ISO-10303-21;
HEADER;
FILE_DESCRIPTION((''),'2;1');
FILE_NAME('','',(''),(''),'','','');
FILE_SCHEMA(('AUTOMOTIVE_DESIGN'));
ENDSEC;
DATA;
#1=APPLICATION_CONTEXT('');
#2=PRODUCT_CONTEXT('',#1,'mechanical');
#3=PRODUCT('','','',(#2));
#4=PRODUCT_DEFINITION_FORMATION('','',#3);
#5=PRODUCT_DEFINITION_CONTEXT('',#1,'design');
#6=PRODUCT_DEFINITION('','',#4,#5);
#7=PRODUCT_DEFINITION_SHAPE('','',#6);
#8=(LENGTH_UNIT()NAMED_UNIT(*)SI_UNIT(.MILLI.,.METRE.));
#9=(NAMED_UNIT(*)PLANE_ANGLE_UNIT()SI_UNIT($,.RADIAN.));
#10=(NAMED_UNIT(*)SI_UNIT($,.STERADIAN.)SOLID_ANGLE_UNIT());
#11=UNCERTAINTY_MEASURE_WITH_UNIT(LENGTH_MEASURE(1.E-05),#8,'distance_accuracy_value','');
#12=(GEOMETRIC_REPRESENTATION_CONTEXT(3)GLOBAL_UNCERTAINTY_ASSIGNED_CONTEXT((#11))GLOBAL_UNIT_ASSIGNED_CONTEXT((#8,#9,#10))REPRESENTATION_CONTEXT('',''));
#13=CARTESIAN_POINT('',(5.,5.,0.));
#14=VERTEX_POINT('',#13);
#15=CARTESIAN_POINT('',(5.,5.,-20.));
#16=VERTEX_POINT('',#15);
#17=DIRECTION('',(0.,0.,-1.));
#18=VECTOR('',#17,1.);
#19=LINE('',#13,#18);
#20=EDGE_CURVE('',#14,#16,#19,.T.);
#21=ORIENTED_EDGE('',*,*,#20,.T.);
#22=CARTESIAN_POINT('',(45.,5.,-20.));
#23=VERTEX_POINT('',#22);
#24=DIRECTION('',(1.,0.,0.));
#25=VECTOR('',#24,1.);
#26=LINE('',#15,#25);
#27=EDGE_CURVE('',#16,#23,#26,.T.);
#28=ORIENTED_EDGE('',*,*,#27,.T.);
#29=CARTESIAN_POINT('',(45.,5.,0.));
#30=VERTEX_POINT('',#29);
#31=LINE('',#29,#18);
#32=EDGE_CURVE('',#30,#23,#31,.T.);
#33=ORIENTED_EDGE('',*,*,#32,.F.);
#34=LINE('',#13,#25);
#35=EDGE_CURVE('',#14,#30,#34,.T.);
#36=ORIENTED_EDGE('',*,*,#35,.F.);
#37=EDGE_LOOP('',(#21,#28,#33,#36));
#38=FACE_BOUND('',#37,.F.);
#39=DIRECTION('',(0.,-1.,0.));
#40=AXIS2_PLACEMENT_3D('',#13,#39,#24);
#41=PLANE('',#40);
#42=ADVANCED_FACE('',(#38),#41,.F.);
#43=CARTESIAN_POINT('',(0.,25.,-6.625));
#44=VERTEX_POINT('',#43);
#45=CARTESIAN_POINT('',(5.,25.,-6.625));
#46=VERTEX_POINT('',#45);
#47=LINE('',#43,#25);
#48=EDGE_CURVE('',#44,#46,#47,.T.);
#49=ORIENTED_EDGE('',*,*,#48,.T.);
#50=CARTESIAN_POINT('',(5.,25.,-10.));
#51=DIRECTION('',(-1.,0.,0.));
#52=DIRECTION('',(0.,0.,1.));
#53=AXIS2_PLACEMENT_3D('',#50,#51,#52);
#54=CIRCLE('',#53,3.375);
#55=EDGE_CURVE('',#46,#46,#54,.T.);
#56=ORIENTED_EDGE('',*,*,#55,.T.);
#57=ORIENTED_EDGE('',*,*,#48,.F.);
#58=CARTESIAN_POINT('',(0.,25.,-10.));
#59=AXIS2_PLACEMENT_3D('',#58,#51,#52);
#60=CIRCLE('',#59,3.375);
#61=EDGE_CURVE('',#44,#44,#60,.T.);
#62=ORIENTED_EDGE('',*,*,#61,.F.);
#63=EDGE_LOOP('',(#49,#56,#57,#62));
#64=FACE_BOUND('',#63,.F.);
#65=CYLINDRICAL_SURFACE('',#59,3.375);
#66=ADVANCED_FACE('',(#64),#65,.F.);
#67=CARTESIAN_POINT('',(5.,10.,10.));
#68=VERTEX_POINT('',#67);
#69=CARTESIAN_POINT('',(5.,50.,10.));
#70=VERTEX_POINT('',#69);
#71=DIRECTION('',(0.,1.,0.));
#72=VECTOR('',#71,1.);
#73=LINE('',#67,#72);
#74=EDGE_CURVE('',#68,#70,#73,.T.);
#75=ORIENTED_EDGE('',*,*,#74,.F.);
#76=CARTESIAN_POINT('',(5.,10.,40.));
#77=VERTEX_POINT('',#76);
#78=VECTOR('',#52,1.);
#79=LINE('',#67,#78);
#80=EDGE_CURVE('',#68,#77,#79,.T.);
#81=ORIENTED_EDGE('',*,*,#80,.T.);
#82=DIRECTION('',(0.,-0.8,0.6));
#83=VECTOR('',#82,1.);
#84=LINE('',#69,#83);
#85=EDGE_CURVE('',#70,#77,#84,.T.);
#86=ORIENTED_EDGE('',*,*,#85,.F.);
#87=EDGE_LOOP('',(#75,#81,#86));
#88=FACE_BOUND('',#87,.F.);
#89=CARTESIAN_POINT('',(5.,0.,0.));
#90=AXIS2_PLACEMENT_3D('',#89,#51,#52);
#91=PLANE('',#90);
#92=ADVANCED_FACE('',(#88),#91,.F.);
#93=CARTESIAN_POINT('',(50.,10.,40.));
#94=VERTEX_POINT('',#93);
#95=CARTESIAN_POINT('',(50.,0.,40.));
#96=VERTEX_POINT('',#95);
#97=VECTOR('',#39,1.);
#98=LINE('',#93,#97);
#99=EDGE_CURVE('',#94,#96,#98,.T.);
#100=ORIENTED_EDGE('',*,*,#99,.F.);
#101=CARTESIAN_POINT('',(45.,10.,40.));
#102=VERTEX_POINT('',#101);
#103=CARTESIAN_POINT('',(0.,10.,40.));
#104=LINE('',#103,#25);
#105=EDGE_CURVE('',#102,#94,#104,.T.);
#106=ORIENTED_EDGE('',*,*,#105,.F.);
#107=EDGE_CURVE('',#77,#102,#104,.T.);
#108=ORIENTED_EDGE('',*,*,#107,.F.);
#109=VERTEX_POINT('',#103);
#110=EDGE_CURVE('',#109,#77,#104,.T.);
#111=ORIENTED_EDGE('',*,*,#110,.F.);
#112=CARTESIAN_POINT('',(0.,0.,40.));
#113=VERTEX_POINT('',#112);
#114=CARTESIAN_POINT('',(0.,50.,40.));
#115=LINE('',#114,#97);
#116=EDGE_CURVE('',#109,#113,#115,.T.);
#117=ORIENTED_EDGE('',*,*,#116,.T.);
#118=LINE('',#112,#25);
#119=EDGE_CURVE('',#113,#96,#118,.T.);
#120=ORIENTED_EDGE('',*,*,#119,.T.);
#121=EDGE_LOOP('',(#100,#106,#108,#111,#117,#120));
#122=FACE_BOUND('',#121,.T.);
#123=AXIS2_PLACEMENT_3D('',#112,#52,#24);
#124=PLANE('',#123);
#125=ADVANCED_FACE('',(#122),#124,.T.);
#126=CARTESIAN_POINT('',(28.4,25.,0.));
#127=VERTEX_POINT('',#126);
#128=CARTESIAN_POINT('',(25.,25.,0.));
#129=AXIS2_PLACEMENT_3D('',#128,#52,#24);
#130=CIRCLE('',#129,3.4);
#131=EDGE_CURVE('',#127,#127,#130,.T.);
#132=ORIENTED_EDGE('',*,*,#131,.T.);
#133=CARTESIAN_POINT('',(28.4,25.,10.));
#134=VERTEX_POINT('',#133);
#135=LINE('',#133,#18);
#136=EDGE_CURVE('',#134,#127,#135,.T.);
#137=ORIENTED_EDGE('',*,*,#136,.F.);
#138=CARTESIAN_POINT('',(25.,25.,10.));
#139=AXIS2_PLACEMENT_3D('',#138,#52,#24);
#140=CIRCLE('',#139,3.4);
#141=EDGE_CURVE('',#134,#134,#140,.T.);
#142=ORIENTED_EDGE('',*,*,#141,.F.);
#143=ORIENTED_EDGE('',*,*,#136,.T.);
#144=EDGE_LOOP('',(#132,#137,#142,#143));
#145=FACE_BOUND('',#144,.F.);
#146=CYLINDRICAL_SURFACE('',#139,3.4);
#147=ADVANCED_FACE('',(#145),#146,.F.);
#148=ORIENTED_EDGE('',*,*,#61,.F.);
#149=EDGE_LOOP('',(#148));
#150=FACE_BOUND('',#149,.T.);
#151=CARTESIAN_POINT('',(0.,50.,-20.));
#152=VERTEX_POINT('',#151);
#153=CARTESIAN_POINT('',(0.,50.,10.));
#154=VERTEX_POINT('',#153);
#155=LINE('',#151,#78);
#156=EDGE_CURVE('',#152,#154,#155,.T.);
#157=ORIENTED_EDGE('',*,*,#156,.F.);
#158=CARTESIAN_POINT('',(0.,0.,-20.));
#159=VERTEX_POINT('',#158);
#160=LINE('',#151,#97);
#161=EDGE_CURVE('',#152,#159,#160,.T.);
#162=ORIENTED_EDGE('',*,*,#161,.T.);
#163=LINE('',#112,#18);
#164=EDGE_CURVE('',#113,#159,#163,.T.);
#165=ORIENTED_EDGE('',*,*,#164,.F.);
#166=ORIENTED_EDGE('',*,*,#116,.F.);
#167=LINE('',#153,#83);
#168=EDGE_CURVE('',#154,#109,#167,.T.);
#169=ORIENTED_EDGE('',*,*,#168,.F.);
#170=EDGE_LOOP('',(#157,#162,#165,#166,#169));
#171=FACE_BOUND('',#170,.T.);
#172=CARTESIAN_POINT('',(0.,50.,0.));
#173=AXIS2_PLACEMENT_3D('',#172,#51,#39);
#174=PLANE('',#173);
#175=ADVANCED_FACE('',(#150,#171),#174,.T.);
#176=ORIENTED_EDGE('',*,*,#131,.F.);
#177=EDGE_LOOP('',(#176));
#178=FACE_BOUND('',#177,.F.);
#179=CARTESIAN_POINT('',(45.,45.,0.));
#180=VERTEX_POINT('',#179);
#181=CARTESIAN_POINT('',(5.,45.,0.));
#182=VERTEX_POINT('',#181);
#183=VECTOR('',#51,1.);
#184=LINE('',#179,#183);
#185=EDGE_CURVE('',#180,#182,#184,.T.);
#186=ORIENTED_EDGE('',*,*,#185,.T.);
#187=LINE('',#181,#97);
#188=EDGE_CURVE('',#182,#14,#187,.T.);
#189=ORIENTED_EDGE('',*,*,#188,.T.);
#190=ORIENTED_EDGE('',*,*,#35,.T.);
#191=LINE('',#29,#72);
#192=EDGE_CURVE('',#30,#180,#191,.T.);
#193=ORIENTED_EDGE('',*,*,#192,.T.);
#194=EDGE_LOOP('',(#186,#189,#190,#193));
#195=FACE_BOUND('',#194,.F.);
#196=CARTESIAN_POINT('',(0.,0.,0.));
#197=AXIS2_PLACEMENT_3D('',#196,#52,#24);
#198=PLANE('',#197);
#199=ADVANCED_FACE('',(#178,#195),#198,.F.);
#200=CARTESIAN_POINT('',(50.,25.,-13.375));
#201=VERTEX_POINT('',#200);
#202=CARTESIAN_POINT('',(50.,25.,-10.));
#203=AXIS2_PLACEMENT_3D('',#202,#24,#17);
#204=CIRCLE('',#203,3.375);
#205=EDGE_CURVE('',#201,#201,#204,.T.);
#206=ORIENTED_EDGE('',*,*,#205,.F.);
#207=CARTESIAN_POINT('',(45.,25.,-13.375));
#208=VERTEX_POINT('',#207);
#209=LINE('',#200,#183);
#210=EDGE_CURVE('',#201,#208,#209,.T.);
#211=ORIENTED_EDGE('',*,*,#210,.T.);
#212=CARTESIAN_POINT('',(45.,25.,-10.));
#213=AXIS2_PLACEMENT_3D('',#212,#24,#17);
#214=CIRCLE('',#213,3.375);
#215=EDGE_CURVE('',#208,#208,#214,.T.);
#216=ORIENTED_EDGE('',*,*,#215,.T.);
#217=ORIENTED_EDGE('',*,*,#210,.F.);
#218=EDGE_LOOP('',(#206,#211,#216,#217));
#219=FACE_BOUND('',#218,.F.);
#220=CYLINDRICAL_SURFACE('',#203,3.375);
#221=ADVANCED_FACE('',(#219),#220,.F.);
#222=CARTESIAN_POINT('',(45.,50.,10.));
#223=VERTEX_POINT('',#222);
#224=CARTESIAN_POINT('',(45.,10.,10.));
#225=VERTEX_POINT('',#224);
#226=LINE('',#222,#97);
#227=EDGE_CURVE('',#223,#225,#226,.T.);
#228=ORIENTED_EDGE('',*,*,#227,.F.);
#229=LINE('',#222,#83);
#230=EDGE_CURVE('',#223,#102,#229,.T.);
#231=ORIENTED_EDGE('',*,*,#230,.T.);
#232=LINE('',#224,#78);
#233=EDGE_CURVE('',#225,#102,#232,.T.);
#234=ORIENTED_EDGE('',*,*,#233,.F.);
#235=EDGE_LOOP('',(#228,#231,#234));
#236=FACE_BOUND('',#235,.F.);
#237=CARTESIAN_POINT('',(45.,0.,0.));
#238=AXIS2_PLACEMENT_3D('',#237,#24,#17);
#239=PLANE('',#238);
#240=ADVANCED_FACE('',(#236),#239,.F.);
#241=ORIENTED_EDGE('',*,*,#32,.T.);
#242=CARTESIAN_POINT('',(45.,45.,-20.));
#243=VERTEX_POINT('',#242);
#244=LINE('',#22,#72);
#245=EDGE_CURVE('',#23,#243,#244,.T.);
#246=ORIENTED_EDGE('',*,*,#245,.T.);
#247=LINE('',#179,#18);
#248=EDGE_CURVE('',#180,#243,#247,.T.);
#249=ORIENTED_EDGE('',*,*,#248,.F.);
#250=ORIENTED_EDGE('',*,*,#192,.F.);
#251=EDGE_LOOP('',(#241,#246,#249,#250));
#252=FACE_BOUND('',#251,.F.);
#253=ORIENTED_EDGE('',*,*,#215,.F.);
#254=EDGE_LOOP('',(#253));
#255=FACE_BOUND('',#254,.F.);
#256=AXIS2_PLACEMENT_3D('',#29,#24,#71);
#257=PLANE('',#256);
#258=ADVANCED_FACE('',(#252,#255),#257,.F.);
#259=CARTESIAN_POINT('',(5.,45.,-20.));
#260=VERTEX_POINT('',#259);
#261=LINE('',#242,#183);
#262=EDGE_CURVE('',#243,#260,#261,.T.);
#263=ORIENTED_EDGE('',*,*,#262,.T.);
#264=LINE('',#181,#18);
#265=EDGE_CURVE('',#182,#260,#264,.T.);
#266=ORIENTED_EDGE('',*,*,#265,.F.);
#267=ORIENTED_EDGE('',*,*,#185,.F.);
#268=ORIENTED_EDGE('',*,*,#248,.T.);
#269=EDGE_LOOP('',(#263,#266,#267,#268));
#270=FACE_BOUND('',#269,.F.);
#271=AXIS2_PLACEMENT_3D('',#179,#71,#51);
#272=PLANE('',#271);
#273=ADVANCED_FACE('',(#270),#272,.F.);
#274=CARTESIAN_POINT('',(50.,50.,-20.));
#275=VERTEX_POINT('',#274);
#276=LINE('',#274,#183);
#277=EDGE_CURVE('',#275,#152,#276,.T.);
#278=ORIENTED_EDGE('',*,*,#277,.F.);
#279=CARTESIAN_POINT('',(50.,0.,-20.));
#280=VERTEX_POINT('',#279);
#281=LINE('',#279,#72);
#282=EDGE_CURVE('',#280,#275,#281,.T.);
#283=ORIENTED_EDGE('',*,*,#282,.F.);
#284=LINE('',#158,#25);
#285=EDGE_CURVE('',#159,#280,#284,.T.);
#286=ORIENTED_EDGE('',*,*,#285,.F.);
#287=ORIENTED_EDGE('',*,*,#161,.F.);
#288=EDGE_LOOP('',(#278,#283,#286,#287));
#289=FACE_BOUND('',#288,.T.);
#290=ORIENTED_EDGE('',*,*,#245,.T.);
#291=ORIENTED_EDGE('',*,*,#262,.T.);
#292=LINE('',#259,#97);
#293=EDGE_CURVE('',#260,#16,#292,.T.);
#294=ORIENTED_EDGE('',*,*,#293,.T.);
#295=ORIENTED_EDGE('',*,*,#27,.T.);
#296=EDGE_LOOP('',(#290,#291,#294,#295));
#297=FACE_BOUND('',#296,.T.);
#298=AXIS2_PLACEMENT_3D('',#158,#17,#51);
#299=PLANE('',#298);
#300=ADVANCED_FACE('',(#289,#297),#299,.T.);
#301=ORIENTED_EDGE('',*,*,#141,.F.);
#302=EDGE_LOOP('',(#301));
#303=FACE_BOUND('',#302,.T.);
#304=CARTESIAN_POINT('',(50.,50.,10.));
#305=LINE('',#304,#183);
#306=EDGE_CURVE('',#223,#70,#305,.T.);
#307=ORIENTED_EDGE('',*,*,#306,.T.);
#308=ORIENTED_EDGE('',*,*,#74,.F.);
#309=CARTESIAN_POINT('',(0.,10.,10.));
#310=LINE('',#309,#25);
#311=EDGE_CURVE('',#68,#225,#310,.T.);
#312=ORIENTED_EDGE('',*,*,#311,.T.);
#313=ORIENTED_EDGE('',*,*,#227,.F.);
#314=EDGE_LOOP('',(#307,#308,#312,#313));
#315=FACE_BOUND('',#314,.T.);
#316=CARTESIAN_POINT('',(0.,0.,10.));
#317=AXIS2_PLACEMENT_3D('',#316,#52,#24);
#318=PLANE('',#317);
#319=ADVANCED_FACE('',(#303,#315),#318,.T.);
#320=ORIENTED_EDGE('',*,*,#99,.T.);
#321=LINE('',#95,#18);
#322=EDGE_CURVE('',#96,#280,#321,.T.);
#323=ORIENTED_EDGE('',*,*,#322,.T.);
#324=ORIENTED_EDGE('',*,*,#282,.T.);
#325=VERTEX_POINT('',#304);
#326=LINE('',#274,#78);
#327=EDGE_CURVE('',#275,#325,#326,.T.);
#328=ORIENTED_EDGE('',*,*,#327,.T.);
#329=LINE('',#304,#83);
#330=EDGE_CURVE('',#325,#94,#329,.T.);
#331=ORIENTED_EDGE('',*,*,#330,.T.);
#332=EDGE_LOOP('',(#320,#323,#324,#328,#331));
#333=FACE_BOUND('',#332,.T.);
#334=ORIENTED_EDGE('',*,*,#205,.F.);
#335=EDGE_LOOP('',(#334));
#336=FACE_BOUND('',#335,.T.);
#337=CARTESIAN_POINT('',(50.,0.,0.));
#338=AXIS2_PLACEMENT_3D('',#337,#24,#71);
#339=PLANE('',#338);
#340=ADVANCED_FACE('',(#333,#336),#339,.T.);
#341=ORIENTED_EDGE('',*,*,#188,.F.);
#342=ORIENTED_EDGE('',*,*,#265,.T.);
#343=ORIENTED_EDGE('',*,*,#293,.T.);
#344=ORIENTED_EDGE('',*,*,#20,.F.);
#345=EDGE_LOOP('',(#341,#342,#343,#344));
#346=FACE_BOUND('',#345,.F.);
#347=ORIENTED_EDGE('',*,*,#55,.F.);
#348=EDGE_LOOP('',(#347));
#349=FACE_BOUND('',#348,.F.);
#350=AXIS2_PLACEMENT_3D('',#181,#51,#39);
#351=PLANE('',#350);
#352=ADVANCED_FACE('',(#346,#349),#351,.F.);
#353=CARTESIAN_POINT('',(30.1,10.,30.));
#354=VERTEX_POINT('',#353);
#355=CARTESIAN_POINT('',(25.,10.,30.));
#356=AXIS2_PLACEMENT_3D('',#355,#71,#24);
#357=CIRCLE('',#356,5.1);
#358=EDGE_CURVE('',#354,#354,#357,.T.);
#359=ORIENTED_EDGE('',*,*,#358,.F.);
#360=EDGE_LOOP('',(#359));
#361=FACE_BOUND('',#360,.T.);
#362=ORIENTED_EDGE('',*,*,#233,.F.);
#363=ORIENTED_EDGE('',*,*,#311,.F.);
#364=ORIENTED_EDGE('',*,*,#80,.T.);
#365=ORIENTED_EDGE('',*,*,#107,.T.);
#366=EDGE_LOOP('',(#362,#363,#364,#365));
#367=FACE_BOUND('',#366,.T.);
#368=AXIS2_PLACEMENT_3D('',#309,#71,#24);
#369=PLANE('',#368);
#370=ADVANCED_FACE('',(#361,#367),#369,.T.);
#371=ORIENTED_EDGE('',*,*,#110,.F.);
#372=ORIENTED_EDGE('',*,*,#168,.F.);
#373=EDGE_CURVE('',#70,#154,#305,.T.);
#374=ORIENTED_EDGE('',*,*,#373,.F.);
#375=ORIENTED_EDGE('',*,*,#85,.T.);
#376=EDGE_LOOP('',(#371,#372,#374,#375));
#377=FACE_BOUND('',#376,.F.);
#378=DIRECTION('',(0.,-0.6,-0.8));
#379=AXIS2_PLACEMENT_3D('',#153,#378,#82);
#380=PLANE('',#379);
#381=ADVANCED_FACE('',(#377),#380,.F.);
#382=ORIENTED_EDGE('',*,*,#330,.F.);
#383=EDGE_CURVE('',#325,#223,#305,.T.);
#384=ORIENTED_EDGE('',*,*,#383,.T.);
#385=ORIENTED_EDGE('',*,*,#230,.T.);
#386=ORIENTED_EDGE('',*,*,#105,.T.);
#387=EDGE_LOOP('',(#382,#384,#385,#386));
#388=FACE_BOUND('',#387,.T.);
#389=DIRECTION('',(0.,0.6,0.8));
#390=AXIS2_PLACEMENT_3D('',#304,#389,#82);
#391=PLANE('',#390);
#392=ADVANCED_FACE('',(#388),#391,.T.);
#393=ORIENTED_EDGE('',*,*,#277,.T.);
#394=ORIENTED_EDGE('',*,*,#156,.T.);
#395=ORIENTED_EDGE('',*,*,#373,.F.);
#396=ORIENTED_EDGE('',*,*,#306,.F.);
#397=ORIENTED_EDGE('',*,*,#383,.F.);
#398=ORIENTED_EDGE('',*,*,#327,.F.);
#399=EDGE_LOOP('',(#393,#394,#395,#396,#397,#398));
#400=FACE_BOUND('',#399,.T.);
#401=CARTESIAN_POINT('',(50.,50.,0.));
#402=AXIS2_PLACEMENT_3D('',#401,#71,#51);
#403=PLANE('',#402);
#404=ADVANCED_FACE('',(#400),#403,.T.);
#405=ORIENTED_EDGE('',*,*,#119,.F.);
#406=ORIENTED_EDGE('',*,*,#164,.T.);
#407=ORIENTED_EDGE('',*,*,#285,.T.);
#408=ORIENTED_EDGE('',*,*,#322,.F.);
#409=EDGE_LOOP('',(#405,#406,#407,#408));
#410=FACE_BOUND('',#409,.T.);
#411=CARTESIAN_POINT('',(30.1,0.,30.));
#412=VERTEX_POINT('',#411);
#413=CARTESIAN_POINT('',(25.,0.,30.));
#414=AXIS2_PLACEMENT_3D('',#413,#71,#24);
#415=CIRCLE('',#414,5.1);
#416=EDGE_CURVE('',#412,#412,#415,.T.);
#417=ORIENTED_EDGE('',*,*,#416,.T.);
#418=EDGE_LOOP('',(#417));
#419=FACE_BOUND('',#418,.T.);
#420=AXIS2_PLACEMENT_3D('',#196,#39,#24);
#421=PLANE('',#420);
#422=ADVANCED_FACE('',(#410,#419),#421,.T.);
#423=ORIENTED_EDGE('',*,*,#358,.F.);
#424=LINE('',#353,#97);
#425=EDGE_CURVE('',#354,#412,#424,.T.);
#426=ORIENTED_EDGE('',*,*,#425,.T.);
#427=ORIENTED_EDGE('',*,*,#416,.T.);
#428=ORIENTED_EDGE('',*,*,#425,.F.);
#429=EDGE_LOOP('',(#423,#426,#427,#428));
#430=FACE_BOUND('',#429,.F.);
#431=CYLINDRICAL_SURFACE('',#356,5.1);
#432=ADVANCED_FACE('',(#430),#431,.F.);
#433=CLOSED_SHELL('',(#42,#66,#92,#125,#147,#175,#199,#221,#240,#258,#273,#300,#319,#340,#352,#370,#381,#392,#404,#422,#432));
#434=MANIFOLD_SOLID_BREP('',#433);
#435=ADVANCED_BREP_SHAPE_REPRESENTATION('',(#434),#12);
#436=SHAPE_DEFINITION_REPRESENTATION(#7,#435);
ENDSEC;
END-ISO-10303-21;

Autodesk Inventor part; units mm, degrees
ref_plane "YZ Plane" through (0, 0, 0) normal (1, 0, 0) x (0, 1, 0)
ref_plane "XZ Plane" through (0, 0, 0) normal (0, 1, 0) x (-1, 0, 0)
ref_plane "XY Plane" through (0, 0, 0) normal (0, 0, 1) x (1, 0, 0)
sketch "Boceto1" plane through (0, 0, 0) normal (0, 0, 1) x (1, 0, 0)
  line L0 (0, 0) -> (50, 0)
  line L1 (50, 0) -> (50, 50)
  line L2 (50, 50) -> (0, 50)
  line L3 (0, 50) -> (0, 0)
  line L4 (50, 0) -> (0, 0)
  line L5 (0, 0) -> (0, 10)
  line L6 (0, 10) -> (50, 10)
  line L7 (50, 10) -> (50, 0)
  dimension "d0" = 50
  dimension "d1" = 50
  dimension "d2" = 10
extrude "Extrusión1" add sketch "Boceto1" along normal blind 10
sketch "Boceto2" plane through (0, 0, 10) normal (0, 0, 1) x (1, 0, 0)
  line L0 (0, 0) -> (50, 0) projected
  line L1 (0, 50) -> (0, 0) projected
  line L2 (50, 0) -> (0, 0)
  line L3 (0, 0) -> (0, 10)
  line L4 (0, 10) -> (50, 10)
  line L5 (50, 10) -> (50, 0)
  dimension "d5" = 10
extrude "Extrusión2" add sketch "Boceto2" along normal blind 30
sketch "Boceto3" plane through (0, 0, 10) normal (0, 0, 1) x (1, 0, 0)
  circle A0 centre (25, 25) radius 3.4
  line L0 (0, 50) -> (0, 10) projected
  line L1 (0, 0) -> (50, 0) projected
  dimension "d8" = 6.8
  dimension "d9" = 25
  dimension "d10" = 25
extrude "Extrusión3" cut sketch "Boceto3" against normal blind 10
sketch "Boceto4" plane through (0, 10, 10) normal (0, 1, 0) x (1, 0, 0)
  circle A0 centre (25, -20) radius 5.1
  line L0 (50, 10) -> (0, 10) projected
  line L1 (0, 0) -> (0, -30) projected
  dimension "d13" = 10.2
  dimension "d14" = 30
  dimension "d15" = 25
extrude "Extrusión4" cut sketch "Boceto4" against normal blind 10
sketch "Boceto5" plane through (0, 0, 0) normal (-1, 0, 0) x (0, 0, 1)
  line L0 (0, 50) -> (10, 50) projected
  line L1 (10, 10) -> (40, 10) projected
  line L2 (10, 50) -> (40, 10)
  line L3 (40, 10) -> (10, 10)
  line L4 (10, 10) -> (10, 50)
  line L5 (10, 50) -> (10, 10) projected
  point P0 (0, 0)
extrude "Extrusión5" add sketch "Boceto5" against normal blind 5
sketch "Boceto6" plane through (50, 0, 0) normal (1, 0, 0) x (0, 0, -1)
  line L0 (-10, 50) -> (-40, 10) projected
  line L1 (-10, 10) -> (-40, 10) projected
  line L2 (-10, 50) -> (-40, 10)
  line L3 (-40, 10) -> (-10, 10)
  line L4 (-10, 50) -> (-10, 10) projected
  line L5 (-10, 10) -> (-10, 50)
  point P0 (0, 0)
sketch "Boceto7" plane through (50, 0, 0) normal (1, 0, 0) x (0, 0, -1)
  point P0 (0, 0)
sketch "Boceto8" plane through (0, 0, 10) normal (0, 0, 1) x (1, 0, 0)
  point P0 (0, 0)
extrude "Extrusión6" add sketch "Boceto6" against normal blind 5
sketch "Boceto9" plane through (0, 0, 0) normal (0, 0, -1) x (-1, 0, 0)
  line L0 (-5, 5) -> (-45, 5)
  line L1 (-45, 5) -> (-45, 45)
  line L2 (-45, 45) -> (-5, 45)
  line L3 (-5, 45) -> (-5, 5)
  line L4 (-50, 0) -> (-50, 50) projected
  line L5 (-50, 50) -> (0, 50) projected
  line L6 (0, 50) -> (0, 0) projected
  line L7 (0, 0) -> (-50, 0)
  line L8 (-50, 0) -> (-50, 50)
  line L9 (-50, 50) -> (0, 50)
  line L10 (0, 50) -> (0, 0)
extrude "Extrusión7" add sketch "Boceto9" along normal blind 20
sketch "Boceto10" plane through (50, 0, 40) normal (1, 0, 0) x (0, 0, -1)
  line L0 (0, 0) -> (0, 10) projected
  circle A0 centre (50, 25) radius 3.375
  line L1 (60, 0) -> (0, 0) projected
  line L2 (60, 50) -> (60, 0) projected
  point P0 (40, 0)
  dimension "d28" = 40
  dimension "d29" = 6.75
sketch "Boceto12" plane through (0, 0, 40) normal (-1, 0, 0) x (0, 0, 1)
  circle A0 centre (-50, 25) radius 3.375
  line L0 (-60, 0) -> (-60, 50) projected
  line L1 (-30, 50) -> (-60, 50) projected
  point P0 (-40, 0)
  dimension "d35" = 6.75
extrude "Extrusión9" cut sketch "Boceto10" against normal blind 5
extrude "Extrusión11" cut sketch "Boceto12" against normal blind 5
properties part number "UnionLlantaOmega2" material "Plástico ABS"
